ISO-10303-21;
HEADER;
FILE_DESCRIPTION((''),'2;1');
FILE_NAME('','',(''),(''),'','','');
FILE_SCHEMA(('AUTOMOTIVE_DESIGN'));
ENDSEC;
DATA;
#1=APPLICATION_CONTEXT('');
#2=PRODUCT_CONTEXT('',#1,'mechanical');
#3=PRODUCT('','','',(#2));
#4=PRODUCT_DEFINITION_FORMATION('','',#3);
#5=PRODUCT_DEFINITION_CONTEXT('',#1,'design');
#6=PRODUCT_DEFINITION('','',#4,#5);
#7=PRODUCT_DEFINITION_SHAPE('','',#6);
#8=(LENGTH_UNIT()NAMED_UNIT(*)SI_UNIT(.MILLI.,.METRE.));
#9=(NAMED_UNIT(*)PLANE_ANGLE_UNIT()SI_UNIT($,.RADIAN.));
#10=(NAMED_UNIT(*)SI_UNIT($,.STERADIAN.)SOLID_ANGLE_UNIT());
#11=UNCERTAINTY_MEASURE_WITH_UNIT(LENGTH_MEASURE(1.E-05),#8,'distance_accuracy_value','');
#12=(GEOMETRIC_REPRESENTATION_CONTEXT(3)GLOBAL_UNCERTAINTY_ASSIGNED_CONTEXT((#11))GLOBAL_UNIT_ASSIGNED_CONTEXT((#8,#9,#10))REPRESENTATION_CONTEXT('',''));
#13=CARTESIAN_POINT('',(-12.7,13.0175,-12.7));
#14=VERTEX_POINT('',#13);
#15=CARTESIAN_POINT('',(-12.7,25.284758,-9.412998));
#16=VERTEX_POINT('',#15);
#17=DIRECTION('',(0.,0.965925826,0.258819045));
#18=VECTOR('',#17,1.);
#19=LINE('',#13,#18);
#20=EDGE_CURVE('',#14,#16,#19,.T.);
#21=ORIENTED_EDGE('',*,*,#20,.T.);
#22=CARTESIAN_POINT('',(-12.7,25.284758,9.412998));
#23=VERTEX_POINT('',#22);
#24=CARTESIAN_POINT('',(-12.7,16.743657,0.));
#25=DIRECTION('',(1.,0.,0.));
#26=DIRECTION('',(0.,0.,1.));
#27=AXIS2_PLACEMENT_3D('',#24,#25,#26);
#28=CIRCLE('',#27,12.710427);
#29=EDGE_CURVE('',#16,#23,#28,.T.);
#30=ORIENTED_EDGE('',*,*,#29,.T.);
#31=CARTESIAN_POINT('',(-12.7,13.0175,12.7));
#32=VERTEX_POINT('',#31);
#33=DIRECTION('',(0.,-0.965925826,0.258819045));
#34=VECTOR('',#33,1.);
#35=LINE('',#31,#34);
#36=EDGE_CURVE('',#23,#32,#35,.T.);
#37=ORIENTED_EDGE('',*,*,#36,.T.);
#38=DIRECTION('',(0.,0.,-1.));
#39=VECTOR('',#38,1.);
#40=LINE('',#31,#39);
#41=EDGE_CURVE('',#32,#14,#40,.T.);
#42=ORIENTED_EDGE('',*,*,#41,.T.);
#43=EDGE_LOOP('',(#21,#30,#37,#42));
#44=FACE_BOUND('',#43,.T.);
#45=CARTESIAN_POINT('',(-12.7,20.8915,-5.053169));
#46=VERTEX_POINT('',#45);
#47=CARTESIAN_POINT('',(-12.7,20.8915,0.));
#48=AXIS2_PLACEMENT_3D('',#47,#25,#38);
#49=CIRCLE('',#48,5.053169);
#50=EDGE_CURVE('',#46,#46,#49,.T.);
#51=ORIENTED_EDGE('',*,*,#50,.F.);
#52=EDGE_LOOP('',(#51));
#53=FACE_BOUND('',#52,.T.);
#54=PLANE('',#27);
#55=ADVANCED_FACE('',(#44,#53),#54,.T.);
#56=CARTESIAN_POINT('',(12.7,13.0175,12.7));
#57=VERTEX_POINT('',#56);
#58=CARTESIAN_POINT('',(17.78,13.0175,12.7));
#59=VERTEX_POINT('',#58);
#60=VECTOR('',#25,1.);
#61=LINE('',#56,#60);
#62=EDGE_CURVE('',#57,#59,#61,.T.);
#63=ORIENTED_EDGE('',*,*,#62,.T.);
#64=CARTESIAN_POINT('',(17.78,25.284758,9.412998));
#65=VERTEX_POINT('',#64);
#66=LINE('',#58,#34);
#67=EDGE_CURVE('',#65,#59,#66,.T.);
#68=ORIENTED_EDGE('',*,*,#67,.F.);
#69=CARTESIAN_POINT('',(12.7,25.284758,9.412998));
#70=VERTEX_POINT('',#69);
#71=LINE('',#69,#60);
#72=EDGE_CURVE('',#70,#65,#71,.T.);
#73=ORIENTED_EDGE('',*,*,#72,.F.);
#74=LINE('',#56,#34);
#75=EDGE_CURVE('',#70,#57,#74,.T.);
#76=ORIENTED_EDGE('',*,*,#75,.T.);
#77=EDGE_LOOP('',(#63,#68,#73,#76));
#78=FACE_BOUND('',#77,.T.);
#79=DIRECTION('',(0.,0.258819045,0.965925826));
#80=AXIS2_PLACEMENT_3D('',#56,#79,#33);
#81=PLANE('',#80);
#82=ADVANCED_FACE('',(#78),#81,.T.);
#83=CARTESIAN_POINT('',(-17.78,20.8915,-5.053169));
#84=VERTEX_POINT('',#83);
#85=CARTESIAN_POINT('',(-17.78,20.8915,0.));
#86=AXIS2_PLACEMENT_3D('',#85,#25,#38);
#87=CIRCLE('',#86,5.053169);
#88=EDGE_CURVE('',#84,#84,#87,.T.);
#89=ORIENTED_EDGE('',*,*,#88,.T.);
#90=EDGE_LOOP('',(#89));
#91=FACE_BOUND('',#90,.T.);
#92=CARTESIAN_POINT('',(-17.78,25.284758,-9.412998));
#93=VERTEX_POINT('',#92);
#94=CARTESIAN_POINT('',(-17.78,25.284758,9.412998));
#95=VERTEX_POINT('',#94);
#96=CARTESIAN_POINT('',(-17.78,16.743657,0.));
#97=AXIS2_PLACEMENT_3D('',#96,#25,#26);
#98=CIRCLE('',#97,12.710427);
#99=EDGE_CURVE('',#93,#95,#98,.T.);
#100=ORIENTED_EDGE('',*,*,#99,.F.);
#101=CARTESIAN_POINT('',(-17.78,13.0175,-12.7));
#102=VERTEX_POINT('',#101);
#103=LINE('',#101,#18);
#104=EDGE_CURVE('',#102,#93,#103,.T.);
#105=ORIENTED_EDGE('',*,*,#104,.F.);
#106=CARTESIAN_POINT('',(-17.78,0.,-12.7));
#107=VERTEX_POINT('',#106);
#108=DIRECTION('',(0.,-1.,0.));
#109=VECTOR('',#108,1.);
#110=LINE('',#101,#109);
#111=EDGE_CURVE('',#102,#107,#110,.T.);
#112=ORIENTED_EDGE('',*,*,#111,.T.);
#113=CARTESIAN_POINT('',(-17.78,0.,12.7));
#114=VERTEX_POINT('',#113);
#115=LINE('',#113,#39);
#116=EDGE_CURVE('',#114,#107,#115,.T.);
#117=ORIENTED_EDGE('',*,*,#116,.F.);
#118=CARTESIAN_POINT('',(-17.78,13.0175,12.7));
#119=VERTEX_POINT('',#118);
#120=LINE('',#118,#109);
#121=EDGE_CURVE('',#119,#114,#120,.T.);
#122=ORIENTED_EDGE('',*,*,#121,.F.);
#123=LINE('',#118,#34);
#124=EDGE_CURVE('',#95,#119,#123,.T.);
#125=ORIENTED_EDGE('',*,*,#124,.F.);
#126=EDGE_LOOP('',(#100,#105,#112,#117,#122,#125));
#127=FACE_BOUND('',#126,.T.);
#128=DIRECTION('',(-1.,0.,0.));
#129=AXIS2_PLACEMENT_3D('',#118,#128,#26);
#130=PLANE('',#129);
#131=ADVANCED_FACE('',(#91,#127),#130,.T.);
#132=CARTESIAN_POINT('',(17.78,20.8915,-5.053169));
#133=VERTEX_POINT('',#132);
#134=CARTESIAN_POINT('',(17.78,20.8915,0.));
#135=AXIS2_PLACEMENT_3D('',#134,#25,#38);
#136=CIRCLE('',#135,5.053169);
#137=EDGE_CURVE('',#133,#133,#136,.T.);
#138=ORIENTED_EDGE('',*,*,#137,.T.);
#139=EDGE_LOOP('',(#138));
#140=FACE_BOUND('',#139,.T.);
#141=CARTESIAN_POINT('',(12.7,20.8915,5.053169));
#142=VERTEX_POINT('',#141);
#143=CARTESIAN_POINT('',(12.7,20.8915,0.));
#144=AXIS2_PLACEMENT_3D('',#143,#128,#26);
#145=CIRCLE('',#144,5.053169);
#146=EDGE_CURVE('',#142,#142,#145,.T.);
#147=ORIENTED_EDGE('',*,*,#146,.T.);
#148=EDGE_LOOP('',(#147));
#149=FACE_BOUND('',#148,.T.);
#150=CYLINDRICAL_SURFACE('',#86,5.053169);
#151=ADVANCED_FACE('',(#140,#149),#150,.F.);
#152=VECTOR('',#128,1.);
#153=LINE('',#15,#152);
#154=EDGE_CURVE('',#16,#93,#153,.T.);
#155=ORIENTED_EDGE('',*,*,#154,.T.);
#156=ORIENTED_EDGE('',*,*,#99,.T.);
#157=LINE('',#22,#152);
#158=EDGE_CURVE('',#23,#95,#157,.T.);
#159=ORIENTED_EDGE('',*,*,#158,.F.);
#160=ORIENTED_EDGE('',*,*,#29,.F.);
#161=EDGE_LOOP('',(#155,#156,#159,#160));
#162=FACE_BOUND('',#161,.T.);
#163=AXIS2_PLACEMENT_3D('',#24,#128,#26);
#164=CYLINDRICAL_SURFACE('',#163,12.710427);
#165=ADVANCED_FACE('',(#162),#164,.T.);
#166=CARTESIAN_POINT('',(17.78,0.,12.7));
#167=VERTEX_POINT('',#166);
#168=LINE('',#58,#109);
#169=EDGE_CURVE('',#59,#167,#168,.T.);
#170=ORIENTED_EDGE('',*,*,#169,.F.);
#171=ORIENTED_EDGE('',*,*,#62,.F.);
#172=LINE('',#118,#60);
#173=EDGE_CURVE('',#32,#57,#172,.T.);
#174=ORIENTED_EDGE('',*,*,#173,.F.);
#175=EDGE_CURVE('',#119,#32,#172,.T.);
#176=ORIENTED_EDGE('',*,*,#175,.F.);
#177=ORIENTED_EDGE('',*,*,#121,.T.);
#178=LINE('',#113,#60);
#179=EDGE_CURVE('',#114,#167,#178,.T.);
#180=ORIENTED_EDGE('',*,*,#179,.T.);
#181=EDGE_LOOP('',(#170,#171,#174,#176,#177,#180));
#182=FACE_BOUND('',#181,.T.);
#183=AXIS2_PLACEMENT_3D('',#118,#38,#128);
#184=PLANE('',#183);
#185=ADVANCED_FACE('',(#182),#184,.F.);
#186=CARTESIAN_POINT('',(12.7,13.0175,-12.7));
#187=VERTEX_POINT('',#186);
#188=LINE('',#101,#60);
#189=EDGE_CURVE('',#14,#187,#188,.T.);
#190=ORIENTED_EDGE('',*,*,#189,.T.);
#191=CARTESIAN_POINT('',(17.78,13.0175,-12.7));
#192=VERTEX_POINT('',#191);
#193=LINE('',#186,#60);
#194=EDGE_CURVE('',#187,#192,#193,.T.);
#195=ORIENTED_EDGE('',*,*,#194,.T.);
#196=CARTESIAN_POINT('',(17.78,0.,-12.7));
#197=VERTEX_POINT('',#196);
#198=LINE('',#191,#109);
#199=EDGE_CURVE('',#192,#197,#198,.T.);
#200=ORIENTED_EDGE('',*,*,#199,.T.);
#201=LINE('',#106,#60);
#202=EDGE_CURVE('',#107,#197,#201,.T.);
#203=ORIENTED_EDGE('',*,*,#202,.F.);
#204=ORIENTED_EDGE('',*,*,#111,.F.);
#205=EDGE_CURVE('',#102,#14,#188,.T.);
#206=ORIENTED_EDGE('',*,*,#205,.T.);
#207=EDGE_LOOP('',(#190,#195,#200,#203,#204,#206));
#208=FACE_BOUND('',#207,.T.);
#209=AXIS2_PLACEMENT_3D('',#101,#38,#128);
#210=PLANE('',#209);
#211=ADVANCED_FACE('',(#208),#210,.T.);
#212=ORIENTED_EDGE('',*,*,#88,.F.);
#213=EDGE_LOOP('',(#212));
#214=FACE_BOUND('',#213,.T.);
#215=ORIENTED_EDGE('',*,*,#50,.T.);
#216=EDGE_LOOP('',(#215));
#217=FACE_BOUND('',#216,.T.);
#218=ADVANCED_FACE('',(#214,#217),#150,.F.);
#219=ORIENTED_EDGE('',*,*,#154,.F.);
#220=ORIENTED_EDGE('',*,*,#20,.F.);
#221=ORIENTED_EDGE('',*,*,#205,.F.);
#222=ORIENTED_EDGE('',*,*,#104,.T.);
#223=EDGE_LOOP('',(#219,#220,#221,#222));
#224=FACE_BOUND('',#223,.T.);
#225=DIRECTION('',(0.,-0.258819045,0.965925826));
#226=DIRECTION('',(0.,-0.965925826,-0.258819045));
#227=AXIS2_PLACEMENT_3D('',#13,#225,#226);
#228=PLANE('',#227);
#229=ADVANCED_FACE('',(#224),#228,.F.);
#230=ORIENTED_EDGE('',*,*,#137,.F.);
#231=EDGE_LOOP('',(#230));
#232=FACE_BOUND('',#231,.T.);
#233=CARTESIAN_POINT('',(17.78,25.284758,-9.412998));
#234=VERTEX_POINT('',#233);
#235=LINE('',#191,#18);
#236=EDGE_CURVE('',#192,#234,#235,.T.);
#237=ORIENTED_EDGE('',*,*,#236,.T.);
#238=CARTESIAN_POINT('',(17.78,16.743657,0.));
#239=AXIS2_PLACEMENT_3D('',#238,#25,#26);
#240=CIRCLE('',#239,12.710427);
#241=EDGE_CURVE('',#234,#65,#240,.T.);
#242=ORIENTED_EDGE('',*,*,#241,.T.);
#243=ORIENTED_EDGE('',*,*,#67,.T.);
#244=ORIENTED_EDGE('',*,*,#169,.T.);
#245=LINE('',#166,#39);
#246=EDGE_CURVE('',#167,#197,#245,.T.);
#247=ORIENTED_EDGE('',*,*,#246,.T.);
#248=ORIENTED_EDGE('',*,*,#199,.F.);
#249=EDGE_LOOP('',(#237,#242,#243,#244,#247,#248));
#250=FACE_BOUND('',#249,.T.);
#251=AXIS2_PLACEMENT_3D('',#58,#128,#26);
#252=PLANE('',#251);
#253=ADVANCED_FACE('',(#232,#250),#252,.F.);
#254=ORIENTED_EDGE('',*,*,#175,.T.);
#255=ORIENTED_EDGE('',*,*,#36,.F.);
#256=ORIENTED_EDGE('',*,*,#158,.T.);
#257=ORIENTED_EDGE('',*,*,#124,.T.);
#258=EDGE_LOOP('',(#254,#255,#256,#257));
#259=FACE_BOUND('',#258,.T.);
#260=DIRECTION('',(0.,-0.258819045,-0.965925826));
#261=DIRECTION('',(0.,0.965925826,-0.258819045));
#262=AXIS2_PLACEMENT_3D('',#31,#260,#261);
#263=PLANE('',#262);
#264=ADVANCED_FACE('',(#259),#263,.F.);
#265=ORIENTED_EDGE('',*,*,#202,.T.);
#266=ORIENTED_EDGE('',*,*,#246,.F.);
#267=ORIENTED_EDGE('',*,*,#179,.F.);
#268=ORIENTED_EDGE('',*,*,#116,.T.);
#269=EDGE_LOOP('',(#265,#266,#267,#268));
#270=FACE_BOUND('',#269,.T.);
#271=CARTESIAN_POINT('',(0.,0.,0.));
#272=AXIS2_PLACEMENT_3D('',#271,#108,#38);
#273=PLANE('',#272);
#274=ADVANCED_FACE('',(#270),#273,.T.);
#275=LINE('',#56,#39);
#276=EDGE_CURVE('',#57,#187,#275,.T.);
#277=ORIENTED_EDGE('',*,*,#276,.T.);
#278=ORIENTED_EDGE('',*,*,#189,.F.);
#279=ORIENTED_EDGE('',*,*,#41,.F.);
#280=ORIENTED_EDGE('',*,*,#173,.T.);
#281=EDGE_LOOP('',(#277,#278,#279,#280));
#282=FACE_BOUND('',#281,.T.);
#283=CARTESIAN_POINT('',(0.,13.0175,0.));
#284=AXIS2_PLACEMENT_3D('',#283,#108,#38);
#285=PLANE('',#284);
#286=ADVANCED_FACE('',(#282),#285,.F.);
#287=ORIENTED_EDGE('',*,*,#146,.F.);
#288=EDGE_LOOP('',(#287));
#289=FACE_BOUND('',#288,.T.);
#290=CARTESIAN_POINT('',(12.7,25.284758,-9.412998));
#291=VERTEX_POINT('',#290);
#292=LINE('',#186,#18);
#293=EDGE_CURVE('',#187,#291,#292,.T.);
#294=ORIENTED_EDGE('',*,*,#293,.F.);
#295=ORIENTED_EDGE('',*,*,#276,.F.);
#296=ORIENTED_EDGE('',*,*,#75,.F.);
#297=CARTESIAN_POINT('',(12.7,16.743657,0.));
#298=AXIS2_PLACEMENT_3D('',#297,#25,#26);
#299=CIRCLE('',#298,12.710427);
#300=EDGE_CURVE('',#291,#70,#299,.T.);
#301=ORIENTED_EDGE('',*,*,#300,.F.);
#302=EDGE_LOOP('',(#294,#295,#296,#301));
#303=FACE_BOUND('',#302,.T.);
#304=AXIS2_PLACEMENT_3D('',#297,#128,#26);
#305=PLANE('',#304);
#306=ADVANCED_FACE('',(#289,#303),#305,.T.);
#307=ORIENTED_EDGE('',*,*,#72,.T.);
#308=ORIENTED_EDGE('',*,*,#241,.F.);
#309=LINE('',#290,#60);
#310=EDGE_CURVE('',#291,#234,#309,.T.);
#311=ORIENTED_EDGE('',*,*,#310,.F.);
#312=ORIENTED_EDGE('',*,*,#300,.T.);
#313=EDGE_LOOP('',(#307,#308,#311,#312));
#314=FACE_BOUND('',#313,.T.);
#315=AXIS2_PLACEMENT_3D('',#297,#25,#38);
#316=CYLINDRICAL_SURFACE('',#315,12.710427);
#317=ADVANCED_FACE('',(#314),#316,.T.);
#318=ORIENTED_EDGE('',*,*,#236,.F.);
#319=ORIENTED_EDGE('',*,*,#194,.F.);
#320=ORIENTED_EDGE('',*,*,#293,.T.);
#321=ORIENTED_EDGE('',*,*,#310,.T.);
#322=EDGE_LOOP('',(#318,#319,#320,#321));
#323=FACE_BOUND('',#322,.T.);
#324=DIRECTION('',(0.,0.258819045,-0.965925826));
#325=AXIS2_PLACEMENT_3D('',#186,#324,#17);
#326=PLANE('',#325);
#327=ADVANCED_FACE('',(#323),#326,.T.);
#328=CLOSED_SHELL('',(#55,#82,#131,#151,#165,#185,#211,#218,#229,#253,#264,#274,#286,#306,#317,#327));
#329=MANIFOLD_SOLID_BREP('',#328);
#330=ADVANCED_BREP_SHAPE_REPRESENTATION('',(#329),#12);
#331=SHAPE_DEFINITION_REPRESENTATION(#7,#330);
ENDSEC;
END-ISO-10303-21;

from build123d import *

# Parameters (mm, degrees)
SKETCH1_W           = 35.56
SKETCH1_H           = 25.4
BOSS_EXTRUDE1_DEPTH = 13.0175
BOSS_EXTRUDE2_DEPTH = 5.08
SKETCH3_R           = 5.053169443
CUT_EXTRUDE1_DEPTH  = 36.56


with BuildPart() as part:
    # Sketch1 → Boss-Extrude1 (new body)
    with BuildSketch(Plane(origin=(0, 0, 0), x_dir=(1, 0, 0), z_dir=(0, 1, 0))):
        Rectangle(SKETCH1_W, SKETCH1_H)
    extrude(amount=BOSS_EXTRUDE1_DEPTH)

    # Sketch2 → Boss-Extrude2 (add)
    with BuildSketch(Plane(origin=(17.78, 0, 0), x_dir=(0, 0, -1), z_dir=(1, 0, 0))):
        with BuildLine():
            Line((-12.7, 13.0175), (-9.412998127, 25.284757994))
            ThreePointArc((-9.412998127, 25.284757994), (0, 29.45408338), (9.412998127, 25.284757994))
            Line((9.412998127, 25.284757994), (12.7, 13.0175))
            Line((12.7, 13.0175), (-12.7, 13.0175))
        make_face()
    boss_extrude2 = extrude(amount=-BOSS_EXTRUDE2_DEPTH)

    # Mirror1: Boss-Extrude2 across plane
    add(boss_extrude2.mirror(Plane(origin=(0, 0, 0), x_dir=(0, 0, 1), z_dir=(1, 0, 0))))

    # Sketch3 → Cut-Extrude1 (cut, through all)
    with BuildSketch(Plane(origin=(17.78, 0, 0), x_dir=(0, 0, -1), z_dir=(1, 0, 0))):
        with Locations((0, 20.8915)):
            Circle(SKETCH3_R)
    extrude(amount=-CUT_EXTRUDE1_DEPTH, mode=Mode.SUBTRACT)


solid = part.part
